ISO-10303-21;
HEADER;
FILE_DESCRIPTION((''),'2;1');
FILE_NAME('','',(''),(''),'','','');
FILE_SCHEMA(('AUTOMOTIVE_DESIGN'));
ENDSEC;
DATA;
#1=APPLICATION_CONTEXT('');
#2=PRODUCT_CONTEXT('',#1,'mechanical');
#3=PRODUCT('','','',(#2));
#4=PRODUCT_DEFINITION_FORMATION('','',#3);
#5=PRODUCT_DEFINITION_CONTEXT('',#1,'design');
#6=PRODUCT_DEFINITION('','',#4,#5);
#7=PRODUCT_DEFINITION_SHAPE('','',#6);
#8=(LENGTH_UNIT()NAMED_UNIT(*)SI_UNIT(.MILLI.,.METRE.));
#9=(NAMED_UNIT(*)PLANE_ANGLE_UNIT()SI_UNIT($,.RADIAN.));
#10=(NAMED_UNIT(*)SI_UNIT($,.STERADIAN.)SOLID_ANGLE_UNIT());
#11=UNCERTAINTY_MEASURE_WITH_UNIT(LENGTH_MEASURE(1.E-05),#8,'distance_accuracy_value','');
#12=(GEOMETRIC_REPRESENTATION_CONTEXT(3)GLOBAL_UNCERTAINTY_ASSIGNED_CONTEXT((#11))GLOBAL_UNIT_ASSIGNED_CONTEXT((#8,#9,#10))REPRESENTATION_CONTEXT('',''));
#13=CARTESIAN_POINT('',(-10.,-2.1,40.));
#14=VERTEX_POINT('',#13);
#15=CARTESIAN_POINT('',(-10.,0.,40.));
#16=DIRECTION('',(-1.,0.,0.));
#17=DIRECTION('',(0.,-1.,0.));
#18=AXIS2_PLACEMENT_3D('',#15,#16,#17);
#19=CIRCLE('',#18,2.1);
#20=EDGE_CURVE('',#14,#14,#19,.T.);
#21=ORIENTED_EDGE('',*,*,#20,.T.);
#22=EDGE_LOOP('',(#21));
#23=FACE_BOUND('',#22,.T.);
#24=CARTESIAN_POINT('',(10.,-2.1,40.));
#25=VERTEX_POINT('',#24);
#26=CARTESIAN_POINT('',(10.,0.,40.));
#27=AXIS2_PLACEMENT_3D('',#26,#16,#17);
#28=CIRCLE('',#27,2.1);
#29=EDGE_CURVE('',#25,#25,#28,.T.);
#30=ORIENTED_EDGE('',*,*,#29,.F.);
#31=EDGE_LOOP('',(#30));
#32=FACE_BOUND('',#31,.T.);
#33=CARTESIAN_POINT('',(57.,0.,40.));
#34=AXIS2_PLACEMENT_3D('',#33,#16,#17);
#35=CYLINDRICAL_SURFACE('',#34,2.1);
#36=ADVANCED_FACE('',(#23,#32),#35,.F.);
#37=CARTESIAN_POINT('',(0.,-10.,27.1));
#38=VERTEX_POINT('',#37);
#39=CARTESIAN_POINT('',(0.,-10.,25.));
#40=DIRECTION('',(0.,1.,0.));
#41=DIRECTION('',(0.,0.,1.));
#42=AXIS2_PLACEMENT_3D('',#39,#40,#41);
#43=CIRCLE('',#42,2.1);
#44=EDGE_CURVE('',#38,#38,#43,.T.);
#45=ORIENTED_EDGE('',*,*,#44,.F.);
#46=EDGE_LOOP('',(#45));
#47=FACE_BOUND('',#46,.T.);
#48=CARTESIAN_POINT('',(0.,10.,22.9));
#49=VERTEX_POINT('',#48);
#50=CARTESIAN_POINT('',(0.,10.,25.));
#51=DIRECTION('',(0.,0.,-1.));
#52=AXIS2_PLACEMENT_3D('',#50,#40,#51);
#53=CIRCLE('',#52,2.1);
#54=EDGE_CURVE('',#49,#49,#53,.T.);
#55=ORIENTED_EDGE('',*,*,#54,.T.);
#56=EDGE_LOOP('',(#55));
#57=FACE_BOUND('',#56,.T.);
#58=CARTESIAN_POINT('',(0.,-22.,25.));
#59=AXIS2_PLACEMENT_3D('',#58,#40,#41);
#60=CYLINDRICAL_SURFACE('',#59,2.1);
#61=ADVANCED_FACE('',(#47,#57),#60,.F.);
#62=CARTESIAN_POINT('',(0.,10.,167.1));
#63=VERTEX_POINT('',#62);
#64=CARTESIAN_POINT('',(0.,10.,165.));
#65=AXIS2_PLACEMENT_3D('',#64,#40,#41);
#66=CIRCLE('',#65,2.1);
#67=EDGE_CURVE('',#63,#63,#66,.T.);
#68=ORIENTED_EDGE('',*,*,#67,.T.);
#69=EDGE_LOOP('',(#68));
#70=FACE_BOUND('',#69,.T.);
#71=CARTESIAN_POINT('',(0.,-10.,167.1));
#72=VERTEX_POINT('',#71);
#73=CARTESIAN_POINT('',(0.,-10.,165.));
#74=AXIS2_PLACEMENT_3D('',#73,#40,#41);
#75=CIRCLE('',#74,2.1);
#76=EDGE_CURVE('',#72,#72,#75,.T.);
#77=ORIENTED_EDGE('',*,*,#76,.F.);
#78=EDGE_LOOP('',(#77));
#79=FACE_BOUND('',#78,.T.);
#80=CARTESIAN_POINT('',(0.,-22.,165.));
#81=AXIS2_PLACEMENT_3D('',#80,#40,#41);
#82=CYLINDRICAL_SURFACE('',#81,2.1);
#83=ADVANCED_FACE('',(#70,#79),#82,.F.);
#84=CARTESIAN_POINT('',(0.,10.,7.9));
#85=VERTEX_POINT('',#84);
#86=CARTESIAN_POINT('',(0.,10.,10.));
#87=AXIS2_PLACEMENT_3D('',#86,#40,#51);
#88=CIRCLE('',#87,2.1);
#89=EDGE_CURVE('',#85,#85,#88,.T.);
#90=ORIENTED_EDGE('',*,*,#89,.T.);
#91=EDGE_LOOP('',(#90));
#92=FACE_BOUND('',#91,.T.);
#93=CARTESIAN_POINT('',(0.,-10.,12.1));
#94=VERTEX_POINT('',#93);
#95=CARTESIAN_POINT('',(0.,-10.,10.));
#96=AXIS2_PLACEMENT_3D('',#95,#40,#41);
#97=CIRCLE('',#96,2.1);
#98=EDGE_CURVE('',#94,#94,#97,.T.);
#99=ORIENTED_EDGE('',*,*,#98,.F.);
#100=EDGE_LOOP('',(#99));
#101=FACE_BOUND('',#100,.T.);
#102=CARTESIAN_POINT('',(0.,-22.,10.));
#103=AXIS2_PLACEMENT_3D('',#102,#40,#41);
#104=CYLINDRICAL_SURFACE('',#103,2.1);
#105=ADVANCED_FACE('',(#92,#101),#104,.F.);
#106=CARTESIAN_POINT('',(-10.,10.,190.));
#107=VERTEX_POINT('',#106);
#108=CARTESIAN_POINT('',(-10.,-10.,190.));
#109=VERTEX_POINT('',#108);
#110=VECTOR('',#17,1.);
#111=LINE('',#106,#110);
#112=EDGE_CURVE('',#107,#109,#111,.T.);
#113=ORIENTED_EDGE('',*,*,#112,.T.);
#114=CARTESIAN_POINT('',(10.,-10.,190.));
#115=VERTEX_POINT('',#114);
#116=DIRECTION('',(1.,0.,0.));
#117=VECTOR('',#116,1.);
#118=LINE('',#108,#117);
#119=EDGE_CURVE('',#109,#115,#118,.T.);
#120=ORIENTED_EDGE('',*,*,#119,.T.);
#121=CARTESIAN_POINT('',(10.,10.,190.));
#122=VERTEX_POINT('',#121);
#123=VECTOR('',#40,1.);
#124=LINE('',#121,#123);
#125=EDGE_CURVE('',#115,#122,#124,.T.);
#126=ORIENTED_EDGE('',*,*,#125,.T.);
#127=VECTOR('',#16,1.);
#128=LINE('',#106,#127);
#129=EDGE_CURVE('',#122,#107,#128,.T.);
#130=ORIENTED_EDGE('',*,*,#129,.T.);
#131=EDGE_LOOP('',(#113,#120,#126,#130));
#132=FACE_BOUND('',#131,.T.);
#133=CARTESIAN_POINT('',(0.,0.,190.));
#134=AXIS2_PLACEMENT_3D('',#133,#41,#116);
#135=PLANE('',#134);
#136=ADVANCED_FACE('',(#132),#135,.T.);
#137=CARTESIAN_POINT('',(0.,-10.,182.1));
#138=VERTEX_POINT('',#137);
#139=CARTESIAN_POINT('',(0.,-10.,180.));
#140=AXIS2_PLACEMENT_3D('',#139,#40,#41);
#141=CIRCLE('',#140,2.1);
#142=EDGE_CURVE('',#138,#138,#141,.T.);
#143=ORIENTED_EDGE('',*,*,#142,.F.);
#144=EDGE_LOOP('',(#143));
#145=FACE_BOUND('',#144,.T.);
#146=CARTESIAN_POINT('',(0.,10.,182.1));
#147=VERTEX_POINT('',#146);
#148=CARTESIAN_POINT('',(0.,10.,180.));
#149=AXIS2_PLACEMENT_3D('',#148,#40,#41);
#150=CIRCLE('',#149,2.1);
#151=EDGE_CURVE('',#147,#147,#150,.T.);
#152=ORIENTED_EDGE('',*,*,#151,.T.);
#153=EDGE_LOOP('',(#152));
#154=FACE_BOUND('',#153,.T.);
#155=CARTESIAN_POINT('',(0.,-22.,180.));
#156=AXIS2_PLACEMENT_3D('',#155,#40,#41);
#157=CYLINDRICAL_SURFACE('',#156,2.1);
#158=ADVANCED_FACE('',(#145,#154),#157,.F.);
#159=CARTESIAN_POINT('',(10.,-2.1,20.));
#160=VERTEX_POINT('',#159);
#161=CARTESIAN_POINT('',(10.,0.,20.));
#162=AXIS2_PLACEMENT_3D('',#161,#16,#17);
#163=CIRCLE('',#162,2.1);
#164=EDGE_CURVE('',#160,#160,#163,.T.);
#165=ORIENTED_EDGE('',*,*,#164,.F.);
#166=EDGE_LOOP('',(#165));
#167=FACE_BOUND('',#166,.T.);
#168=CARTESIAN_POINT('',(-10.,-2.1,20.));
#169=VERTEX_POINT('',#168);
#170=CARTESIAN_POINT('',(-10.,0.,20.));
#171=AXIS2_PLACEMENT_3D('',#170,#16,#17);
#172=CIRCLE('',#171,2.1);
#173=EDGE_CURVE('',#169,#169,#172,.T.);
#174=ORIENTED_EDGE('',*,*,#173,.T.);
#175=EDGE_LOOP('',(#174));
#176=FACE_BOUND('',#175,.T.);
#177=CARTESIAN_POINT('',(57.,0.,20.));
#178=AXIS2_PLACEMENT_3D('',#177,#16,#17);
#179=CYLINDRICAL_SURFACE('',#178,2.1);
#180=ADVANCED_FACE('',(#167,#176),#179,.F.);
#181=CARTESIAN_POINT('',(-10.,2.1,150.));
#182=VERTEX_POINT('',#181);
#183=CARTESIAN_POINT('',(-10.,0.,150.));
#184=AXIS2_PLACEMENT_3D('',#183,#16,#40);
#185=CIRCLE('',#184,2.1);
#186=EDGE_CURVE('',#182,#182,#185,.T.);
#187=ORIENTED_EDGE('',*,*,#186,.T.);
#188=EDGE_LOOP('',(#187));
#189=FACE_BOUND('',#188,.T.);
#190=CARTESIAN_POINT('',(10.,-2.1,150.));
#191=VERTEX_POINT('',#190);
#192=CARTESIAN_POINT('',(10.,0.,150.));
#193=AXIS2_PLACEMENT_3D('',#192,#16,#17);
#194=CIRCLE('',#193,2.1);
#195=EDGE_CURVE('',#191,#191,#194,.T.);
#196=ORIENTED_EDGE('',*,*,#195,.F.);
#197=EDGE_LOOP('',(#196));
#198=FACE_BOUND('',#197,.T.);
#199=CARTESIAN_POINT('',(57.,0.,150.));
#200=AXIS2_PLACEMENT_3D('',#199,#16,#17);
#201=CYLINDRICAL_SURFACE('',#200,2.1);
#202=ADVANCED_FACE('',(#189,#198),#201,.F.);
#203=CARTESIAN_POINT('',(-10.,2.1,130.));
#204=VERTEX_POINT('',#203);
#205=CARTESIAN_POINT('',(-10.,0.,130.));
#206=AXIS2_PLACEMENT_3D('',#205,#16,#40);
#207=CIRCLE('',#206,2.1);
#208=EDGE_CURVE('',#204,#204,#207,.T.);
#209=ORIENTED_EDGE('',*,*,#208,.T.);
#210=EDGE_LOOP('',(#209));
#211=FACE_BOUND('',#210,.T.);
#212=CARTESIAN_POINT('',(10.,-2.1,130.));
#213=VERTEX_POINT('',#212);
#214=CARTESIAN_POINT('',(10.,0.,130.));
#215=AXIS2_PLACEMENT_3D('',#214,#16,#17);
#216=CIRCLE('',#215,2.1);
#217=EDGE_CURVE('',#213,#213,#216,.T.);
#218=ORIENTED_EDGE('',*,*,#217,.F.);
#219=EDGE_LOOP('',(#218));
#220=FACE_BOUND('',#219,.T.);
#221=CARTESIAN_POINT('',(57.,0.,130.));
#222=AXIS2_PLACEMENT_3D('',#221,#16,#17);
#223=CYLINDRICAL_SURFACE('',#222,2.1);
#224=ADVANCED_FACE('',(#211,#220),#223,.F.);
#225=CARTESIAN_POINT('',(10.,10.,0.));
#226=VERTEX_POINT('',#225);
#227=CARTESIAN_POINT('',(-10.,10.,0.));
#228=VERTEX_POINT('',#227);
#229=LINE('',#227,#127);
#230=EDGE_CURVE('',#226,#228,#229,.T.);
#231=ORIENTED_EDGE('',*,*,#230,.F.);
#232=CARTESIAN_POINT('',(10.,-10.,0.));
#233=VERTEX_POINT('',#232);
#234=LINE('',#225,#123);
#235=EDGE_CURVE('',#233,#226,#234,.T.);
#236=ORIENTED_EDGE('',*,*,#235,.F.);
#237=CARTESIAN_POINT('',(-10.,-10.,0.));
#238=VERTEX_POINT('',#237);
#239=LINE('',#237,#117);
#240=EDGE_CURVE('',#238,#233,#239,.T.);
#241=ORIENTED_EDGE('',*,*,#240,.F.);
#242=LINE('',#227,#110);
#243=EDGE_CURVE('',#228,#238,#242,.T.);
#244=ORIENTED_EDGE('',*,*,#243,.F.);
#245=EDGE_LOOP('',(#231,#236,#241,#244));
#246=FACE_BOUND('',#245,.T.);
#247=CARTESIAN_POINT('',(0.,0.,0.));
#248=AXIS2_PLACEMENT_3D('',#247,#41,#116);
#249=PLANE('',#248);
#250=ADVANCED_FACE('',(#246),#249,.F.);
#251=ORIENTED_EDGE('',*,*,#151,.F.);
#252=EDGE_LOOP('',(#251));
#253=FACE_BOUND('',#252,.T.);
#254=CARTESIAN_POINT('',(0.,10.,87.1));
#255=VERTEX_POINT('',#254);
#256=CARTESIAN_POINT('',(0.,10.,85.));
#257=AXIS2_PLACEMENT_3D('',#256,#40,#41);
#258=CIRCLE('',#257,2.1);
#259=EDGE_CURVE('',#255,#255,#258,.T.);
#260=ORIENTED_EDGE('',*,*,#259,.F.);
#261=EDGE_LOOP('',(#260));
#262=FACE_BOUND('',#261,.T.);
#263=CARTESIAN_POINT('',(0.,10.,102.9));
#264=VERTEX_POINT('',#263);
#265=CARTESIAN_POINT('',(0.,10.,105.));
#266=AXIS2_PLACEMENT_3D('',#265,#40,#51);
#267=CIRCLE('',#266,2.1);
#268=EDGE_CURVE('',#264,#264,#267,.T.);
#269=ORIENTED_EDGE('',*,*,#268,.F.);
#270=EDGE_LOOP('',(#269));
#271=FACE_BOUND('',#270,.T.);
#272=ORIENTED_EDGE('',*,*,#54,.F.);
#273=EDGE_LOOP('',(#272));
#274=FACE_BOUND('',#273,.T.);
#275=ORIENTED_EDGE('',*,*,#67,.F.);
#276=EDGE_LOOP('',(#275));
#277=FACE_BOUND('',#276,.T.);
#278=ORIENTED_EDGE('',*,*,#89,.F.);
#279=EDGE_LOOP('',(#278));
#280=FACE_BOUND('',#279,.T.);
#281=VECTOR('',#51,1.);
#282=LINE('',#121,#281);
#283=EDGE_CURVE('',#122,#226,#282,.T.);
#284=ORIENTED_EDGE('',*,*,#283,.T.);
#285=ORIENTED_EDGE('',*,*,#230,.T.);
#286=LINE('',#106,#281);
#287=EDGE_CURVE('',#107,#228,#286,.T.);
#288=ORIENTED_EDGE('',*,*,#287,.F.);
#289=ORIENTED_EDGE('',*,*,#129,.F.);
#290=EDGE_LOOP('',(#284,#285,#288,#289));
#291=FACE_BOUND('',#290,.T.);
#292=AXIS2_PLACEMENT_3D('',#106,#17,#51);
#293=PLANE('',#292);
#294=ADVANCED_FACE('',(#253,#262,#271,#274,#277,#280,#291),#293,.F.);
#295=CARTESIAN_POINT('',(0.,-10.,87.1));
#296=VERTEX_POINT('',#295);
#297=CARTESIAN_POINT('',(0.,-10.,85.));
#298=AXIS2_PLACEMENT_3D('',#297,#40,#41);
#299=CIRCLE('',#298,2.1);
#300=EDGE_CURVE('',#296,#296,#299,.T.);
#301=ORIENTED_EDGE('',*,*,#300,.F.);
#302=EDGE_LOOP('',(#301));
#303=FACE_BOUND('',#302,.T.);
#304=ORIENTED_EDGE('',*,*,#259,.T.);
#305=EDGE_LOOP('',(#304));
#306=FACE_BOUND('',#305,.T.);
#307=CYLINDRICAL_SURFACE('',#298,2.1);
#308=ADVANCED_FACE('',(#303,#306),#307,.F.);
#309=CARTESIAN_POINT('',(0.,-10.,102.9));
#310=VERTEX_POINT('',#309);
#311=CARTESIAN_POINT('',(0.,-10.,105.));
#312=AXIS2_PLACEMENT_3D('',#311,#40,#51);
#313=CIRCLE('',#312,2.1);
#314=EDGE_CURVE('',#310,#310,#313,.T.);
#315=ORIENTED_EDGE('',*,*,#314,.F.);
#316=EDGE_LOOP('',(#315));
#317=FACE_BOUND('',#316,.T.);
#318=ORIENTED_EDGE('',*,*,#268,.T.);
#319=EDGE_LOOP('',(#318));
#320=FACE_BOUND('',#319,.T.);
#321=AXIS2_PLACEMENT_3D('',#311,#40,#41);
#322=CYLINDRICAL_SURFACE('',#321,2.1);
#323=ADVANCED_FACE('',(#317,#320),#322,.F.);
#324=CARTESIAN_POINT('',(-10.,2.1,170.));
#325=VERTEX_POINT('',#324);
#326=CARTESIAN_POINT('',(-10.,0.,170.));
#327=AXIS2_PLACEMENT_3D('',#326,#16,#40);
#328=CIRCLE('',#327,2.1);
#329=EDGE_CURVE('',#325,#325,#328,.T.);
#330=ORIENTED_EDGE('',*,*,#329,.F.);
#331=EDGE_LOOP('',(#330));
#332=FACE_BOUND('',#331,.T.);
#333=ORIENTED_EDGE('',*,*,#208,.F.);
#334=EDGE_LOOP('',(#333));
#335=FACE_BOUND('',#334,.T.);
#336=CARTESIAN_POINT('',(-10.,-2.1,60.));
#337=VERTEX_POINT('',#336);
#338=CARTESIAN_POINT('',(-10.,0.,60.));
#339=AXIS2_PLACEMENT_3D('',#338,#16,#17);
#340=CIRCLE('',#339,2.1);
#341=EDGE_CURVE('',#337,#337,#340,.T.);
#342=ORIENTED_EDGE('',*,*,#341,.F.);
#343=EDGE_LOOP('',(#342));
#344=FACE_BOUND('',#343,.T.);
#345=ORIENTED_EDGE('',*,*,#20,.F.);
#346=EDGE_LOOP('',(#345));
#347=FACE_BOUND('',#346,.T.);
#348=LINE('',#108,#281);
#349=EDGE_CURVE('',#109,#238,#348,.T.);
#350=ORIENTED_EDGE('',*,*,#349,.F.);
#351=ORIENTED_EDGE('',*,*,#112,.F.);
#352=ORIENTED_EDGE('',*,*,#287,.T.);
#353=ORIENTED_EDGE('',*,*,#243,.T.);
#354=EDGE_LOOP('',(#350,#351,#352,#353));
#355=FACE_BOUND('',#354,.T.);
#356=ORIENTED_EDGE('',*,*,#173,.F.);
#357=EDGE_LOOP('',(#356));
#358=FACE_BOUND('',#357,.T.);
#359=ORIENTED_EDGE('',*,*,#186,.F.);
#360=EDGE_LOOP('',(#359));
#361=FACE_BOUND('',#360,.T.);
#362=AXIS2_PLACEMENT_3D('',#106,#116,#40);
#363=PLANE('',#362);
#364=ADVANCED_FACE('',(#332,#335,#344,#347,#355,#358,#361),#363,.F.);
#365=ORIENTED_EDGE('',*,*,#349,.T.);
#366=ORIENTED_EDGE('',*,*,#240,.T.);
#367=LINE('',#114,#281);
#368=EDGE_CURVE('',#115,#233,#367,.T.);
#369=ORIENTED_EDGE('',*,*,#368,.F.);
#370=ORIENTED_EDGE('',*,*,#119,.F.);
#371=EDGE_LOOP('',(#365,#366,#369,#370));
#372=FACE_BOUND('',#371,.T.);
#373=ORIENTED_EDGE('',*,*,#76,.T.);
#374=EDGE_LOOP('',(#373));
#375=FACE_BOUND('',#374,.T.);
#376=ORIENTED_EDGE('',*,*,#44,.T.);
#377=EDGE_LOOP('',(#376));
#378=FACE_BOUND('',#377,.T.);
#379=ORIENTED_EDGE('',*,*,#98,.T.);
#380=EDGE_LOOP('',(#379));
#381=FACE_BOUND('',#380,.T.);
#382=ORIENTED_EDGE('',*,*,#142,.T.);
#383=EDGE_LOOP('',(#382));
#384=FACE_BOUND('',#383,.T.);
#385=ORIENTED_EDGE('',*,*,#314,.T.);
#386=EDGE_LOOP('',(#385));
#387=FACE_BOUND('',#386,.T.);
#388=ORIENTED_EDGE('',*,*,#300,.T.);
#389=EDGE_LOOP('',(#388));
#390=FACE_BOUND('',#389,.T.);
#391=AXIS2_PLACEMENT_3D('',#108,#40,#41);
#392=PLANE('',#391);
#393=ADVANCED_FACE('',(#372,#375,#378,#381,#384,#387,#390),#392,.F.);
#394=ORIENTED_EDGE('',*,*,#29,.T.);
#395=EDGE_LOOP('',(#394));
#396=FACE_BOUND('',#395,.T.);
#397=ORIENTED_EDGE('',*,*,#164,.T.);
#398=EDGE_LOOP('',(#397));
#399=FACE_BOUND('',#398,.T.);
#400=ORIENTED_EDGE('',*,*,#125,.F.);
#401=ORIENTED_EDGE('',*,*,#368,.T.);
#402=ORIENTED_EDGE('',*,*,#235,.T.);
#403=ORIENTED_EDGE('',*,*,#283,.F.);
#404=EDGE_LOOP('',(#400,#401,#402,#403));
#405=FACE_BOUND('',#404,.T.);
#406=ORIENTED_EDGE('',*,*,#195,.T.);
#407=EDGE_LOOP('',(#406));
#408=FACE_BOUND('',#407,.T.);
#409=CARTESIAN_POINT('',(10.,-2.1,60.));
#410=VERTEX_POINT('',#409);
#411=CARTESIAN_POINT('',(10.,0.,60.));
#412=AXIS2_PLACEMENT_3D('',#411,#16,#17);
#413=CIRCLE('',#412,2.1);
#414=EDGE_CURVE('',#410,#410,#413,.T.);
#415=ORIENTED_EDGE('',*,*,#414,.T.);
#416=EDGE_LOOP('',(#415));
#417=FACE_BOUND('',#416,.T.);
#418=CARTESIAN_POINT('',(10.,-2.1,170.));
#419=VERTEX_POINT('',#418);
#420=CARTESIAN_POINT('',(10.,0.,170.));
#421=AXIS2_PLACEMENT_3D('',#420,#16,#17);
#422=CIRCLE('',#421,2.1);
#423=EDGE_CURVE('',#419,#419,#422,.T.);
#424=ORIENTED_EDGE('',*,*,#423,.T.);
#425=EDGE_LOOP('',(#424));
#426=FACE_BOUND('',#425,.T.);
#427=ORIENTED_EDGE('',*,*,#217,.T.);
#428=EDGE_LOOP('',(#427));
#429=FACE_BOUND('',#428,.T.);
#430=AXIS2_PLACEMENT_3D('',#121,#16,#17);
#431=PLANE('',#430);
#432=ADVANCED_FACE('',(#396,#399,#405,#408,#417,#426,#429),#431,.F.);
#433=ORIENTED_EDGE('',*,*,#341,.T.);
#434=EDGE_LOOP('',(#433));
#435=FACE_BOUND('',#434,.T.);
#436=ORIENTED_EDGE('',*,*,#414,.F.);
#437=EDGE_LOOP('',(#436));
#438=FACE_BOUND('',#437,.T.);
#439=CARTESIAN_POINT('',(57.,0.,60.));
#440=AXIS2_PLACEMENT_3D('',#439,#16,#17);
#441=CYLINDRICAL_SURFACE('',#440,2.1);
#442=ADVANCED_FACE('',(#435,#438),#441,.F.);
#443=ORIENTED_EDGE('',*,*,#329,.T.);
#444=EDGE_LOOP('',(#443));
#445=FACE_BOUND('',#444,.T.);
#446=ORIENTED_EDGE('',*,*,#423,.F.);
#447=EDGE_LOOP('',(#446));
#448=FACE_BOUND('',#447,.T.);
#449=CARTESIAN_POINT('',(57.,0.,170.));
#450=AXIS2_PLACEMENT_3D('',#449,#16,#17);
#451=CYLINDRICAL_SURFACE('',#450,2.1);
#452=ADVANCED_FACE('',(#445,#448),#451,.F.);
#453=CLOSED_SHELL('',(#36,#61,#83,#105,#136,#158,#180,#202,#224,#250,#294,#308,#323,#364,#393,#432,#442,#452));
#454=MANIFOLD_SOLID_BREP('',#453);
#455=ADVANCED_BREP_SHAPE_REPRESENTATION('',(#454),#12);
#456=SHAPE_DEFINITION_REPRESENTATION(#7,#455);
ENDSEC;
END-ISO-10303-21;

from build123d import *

# Parameters (mm, degrees)
SKETCH_1_W          = 20
SKETCH_1_H          = 20
EXTRUDE_1_DEPTH     = 190
SKETCH_2_R          = 2.1
CUT_EXTRUDE_1_DEPTH = 67
SKETCH_3_R          = 2.1
CUT_EXTRUDE_2_DEPTH = 32
SKETCH_4_R          = 2.1
CUT_EXTRUDE_3_DEPTH = 192.311264697


with BuildPart() as part:
    # 草图1 → 凸台-拉伸1 (new body)
    with BuildSketch(Plane.XY):
        Rectangle(SKETCH_1_W, SKETCH_1_H)
    extrude(amount=EXTRUDE_1_DEPTH)

    # 草图2 → 切除-拉伸1 (cut)
    with BuildSketch(Plane.ZY.offset(10)):
        with Locations(Location((40, 0, 0), (0, 0, 270))):
            Circle(SKETCH_2_R)
        with Locations(Location((20, 0, 0), (0, 0, 270))):
            Circle(SKETCH_2_R)
        with Locations(Location((60, 0, 0), (0, 0, 270))):
            Circle(SKETCH_2_R)
        with Locations(Location((130, 0, 0), (0, 0, 270))):
            Circle(SKETCH_2_R)
        with Locations(Location((170, 0, 0), (0, 0, 270))):
            Circle(SKETCH_2_R)
        with Locations(Location((150, 0, 0), (0, 0, 270))):
            Circle(SKETCH_2_R)
    extrude(amount=-CUT_EXTRUDE_1_DEPTH, mode=Mode.SUBTRACT)

    # 草图3 → 切除-拉伸2 (cut)
    with BuildSketch(Plane(origin=(0, 10, 0), x_dir=(1, 0, 0), z_dir=(0, 1, 0))):
        with Locations(Location((0, -180, 0), (0, 0, 270))):
            Circle(SKETCH_3_R)
        with Locations(Location((0, -165, 0), (0, 0, 270))):
            Circle(SKETCH_3_R)
        with Locations(Location((0, -25, 0), (0, 0, 270))):
            Circle(SKETCH_3_R)
        with Locations(Location((0, -10, 0), (0, 0, 270))):
            Circle(SKETCH_3_R)
    extrude(amount=-CUT_EXTRUDE_2_DEPTH, mode=Mode.SUBTRACT)

    # 草图4 → 切除-拉伸3 (cut, through all)
    with BuildSketch(Plane(origin=(0, 10, 0), x_dir=(1, 0, 0), z_dir=(0, 1, 0))):
        with Locations(Location((0, -85, 0), (0, 0, 270))):
            Circle(SKETCH_4_R)
        with Locations(Location((0, -105, 0), (0, 0, 90))):
            Circle(SKETCH_4_R)
    extrude(amount=-CUT_EXTRUDE_3_DEPTH, mode=Mode.SUBTRACT)


solid = part.part
